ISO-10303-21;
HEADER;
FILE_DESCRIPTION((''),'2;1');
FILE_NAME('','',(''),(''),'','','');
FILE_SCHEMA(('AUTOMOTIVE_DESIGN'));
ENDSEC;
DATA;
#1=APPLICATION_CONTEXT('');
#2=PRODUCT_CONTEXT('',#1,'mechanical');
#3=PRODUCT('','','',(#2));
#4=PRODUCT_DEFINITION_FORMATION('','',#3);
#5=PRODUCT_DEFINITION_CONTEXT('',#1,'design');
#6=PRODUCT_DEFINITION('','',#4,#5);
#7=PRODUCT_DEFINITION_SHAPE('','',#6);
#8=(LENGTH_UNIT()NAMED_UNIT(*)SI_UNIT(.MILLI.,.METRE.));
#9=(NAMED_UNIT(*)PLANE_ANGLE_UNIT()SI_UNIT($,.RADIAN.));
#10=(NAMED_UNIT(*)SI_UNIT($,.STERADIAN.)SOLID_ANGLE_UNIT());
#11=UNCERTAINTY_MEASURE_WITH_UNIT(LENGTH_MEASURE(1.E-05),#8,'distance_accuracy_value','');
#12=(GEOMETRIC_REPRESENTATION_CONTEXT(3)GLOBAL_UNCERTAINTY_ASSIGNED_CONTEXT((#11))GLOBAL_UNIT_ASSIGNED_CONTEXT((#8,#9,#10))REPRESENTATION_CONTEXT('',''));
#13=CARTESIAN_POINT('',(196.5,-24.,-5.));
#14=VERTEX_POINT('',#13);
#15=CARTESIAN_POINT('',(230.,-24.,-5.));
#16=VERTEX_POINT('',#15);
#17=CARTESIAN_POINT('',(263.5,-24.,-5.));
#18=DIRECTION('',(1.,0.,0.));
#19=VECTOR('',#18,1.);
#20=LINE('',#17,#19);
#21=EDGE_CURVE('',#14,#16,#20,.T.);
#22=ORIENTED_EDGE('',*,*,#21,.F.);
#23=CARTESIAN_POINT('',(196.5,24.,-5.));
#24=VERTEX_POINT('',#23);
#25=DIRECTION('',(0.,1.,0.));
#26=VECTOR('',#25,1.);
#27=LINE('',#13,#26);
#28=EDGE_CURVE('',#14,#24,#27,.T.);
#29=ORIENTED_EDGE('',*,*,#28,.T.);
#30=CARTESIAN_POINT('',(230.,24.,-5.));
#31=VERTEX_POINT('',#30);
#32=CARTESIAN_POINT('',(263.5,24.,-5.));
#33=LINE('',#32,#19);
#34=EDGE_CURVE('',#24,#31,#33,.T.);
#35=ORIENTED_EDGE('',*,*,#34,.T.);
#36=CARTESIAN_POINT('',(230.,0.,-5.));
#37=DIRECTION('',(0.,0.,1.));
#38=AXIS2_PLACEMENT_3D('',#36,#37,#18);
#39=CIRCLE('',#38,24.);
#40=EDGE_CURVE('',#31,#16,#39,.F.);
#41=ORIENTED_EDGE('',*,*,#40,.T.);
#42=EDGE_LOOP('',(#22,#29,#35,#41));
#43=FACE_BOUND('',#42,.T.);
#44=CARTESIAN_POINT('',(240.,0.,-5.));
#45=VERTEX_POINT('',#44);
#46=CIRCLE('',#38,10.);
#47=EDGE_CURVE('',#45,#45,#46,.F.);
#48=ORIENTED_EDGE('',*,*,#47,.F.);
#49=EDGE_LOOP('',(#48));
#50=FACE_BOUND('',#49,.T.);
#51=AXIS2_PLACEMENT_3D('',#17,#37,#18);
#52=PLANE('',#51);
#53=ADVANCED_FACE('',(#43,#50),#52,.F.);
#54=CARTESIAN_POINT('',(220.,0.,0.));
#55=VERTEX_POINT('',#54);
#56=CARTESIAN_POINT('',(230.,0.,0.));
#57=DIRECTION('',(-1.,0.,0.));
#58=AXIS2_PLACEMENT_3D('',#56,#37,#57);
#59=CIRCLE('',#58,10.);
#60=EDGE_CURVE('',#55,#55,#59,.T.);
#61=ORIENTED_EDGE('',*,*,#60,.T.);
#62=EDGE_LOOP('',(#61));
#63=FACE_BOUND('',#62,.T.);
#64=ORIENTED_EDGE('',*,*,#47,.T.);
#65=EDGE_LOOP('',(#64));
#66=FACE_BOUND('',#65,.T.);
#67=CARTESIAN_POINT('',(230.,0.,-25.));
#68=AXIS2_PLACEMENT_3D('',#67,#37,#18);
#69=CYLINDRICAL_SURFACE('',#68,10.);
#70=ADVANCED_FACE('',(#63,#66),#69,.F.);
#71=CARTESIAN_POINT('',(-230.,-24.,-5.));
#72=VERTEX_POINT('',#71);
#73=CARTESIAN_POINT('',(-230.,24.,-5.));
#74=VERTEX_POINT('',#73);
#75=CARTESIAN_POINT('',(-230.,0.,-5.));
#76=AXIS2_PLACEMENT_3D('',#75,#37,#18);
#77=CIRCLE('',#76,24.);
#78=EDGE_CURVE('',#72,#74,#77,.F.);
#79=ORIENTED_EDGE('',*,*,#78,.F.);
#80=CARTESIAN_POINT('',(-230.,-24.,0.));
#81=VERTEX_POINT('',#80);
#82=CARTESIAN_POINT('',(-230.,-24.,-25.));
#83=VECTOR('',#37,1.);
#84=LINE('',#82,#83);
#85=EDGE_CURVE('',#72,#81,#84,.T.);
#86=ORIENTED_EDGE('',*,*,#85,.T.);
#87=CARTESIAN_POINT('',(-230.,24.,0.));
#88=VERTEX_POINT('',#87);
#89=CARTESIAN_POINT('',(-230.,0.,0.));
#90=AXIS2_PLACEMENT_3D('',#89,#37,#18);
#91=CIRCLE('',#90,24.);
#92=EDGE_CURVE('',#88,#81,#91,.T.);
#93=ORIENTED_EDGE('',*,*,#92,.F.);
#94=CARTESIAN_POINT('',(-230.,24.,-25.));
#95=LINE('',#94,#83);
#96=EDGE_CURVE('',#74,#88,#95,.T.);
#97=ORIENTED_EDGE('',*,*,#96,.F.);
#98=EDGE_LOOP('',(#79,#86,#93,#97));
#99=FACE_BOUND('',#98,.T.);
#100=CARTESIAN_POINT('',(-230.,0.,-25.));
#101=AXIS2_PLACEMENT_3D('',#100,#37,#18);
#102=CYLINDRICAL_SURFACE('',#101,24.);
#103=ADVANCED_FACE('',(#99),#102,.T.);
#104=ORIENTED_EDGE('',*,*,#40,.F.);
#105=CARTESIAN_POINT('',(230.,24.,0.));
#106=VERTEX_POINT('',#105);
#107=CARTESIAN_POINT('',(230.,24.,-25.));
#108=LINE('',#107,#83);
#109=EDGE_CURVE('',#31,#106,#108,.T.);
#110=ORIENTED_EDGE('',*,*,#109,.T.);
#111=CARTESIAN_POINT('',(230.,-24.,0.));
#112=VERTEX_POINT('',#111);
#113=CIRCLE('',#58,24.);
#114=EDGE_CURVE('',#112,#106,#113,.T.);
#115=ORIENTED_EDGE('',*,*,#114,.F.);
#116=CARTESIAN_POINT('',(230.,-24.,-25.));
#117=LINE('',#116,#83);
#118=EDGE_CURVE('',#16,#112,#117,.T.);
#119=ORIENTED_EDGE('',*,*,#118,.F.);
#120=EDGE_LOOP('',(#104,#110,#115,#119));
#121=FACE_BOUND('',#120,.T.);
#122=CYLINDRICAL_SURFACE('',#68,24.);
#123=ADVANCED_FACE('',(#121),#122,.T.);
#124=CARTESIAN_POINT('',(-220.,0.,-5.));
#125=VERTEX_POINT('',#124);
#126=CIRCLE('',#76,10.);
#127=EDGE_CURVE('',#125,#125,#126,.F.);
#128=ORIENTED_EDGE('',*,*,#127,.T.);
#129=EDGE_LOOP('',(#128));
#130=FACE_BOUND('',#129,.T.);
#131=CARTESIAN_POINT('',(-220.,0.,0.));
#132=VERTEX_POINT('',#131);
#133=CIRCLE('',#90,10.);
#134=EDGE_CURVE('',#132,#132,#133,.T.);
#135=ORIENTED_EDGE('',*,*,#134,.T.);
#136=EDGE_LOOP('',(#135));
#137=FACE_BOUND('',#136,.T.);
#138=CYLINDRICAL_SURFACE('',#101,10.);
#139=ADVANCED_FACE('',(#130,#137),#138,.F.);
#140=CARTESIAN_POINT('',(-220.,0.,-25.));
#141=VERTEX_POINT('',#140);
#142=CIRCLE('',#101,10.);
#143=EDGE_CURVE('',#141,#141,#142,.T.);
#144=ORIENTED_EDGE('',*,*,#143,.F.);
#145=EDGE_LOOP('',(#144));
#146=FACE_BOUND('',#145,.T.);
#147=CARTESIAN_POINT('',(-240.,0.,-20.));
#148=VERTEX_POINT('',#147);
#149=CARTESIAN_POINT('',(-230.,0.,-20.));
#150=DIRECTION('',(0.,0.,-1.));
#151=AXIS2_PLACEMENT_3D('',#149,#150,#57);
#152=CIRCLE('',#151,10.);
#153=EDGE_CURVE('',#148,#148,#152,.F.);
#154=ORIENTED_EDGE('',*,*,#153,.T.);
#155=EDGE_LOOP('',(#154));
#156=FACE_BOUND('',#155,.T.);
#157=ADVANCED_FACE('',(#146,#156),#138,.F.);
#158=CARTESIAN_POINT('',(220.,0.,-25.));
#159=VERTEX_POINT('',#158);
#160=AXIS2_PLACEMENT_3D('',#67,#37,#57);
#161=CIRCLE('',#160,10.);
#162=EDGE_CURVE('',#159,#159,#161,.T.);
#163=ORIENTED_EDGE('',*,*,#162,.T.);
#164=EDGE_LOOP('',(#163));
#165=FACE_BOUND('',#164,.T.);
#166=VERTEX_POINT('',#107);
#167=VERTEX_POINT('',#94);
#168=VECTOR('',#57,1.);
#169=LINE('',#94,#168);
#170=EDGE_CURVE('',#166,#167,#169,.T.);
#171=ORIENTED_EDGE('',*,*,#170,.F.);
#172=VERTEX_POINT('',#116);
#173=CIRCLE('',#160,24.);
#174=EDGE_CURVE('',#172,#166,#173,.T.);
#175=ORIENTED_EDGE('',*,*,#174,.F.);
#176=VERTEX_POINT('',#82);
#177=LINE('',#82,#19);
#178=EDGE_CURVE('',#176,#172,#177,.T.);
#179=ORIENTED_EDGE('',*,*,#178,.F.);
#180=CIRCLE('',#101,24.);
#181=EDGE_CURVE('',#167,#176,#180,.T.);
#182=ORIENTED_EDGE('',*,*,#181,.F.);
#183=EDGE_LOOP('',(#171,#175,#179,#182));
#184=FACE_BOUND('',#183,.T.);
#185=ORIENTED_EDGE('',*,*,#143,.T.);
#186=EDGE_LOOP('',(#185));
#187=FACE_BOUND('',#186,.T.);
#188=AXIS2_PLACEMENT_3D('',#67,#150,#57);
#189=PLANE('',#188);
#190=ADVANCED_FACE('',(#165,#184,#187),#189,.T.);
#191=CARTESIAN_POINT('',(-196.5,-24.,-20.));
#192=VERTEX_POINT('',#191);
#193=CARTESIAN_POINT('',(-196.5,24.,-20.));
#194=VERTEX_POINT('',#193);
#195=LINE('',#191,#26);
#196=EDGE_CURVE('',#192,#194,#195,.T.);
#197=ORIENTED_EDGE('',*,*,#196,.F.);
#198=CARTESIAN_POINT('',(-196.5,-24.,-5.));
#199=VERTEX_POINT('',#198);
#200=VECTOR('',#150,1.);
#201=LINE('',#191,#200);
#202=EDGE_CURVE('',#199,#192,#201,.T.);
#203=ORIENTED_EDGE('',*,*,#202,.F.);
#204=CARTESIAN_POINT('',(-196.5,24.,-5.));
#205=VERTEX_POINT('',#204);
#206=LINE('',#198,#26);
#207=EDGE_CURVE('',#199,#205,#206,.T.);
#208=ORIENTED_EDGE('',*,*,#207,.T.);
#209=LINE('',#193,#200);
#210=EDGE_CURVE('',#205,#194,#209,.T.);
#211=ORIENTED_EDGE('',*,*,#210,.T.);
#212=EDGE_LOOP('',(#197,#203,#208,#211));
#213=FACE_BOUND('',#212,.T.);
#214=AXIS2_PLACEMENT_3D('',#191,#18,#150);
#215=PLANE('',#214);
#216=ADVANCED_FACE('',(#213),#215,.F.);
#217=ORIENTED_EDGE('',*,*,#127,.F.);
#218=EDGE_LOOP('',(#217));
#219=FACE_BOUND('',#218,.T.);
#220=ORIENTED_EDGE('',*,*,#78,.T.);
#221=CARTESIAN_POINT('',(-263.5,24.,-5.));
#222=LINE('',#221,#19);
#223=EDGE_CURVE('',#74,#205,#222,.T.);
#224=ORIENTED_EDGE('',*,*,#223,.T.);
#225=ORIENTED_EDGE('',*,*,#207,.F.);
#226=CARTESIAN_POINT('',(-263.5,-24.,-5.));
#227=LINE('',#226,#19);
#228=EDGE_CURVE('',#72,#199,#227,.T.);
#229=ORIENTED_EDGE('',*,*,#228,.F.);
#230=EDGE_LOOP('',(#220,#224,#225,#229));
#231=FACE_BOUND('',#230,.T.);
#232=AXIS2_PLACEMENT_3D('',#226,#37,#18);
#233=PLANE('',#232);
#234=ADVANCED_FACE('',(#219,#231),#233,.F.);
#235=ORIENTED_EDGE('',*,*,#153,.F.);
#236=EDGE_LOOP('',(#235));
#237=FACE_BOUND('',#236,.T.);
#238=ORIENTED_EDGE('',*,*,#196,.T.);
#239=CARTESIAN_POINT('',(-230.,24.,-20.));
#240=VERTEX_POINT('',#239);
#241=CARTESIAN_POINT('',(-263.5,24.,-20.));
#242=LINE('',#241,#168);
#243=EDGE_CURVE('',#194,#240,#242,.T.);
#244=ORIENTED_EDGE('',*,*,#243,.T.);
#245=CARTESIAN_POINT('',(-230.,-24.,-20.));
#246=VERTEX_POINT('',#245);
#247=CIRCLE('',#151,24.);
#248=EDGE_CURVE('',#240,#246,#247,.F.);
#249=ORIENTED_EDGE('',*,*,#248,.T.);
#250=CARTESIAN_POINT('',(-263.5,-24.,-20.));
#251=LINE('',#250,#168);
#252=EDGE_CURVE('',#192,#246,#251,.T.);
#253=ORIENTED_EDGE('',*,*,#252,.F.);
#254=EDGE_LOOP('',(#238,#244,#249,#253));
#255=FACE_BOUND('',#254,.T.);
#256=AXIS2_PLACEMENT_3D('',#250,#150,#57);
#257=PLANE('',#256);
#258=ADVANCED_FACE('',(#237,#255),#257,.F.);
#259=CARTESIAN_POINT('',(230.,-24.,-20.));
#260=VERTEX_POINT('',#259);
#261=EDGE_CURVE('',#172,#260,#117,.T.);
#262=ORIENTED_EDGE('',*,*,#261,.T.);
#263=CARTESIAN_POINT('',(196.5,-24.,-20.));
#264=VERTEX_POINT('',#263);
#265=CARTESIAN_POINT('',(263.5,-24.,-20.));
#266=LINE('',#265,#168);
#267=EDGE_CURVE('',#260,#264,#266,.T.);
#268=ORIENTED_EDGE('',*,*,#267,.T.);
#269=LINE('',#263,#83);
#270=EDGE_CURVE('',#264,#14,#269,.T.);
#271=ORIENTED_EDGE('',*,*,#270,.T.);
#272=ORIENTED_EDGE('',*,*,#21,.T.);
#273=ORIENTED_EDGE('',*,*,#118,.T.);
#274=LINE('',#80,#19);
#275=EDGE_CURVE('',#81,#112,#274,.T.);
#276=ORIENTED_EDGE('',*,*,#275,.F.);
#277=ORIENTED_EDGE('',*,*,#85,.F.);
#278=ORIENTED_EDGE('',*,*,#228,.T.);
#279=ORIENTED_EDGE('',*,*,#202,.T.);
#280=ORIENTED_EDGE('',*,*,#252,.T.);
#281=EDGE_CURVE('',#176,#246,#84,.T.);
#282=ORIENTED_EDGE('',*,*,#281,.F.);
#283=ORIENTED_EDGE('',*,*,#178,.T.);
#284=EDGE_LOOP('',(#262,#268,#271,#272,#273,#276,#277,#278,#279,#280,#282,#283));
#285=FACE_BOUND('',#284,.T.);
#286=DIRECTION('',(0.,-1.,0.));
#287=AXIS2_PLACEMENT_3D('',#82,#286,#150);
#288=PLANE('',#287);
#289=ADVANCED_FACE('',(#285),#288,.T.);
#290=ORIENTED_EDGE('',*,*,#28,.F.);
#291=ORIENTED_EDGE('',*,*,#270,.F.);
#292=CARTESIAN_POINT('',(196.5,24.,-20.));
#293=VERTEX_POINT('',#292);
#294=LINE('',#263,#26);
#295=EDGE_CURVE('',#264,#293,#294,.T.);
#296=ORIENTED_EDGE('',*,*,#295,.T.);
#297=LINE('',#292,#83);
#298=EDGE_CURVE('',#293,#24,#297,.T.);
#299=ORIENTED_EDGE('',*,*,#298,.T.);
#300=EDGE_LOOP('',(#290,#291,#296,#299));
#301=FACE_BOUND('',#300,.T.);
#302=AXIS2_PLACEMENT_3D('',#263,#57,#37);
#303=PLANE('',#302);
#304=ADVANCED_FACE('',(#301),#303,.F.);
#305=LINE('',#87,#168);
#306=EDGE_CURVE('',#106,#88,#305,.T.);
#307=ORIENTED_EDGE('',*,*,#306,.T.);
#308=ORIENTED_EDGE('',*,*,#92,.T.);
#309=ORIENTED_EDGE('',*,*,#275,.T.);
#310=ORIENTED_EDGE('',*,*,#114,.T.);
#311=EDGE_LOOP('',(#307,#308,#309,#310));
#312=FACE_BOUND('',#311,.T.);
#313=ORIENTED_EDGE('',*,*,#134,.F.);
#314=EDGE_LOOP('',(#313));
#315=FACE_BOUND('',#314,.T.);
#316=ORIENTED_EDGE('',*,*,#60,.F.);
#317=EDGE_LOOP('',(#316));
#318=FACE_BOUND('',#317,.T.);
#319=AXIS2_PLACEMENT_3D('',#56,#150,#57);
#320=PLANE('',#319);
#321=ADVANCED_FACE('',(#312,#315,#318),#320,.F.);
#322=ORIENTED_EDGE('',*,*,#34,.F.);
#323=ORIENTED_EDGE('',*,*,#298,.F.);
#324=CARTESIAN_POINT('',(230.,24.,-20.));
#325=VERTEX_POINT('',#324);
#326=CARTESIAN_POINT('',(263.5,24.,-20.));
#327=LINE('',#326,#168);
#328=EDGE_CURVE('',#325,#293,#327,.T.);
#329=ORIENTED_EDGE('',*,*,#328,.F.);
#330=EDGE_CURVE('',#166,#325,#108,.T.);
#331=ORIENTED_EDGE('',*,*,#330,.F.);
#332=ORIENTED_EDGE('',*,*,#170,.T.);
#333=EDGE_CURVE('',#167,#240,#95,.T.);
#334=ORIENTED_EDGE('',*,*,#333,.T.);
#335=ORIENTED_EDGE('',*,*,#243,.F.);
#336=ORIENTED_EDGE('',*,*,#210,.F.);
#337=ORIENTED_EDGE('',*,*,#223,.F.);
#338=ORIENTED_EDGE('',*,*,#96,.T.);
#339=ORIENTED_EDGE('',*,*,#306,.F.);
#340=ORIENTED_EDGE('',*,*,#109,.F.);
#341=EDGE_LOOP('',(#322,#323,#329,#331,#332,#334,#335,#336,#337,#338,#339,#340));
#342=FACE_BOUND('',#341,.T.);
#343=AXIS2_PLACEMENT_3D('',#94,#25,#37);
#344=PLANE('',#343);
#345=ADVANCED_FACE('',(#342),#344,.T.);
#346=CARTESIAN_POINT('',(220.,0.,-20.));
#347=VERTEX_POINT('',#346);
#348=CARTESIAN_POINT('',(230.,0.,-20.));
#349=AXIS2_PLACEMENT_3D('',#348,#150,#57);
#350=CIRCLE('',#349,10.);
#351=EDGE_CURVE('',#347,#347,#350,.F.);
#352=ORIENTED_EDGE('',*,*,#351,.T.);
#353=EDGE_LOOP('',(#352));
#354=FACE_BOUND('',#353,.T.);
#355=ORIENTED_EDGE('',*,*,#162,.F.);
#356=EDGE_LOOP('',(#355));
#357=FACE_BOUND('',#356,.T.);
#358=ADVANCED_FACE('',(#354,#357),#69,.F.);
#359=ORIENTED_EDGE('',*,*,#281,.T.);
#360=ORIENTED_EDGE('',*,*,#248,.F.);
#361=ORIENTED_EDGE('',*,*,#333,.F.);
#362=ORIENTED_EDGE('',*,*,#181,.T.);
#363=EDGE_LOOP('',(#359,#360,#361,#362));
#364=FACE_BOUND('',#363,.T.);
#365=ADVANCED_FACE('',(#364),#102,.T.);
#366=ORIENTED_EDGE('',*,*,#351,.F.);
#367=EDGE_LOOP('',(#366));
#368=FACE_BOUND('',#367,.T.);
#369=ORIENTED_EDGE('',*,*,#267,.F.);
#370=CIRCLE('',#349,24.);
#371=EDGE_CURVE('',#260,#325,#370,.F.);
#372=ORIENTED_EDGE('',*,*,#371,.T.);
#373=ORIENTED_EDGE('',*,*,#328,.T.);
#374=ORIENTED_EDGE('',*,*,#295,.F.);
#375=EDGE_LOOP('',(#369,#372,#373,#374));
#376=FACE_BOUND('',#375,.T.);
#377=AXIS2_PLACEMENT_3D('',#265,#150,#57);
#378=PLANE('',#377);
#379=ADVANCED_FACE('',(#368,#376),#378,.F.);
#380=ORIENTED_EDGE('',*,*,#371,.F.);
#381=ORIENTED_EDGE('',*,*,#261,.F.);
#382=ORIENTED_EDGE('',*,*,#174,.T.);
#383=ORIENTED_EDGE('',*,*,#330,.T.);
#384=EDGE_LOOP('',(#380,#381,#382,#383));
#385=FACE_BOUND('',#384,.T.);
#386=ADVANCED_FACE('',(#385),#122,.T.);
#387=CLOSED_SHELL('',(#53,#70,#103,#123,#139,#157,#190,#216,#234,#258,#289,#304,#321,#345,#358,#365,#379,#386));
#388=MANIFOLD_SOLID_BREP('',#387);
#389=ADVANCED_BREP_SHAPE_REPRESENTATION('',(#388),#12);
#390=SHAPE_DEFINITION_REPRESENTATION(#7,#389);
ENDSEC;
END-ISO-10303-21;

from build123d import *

# Parameters (mm, degrees)
SKETCH1_R               = 10
BOSS_EXTRUDE1_DEPTH     = 25
CUT_EXTRUDE2_DEPTH      = 257.353271873
CUT_EXTRUDE2_DEPTH_BACK = 257.353271873
SKETCH3_W               = 67
SKETCH3_H               = 15


with BuildPart() as part:
    # Sketch1 → Boss-Extrude1 (new body)
    with BuildSketch(Plane.XY):
        with BuildLine():
            Line((-230, 24), (230, 24))
            ThreePointArc((230, 24), (254, 0), (230, -24))
            Line((230, -24), (-230, -24))
            ThreePointArc((-230, -24), (-254, 0), (-230, 24))
        make_face()
        with Locations((-230, 0)):
            Circle(SKETCH1_R, mode=Mode.SUBTRACT)
        with Locations(Location((230, 0, 0), (0, 0, 180))):
            Circle(SKETCH1_R, mode=Mode.SUBTRACT)
    extrude(amount=-BOSS_EXTRUDE1_DEPTH)

    # Sketch3 → Cut-Extrude2 (cut, two sides: drawn at the far end of the back side and taken through both)
    with BuildSketch(Plane(origin=(0, 0, 0), x_dir=(1, 0, 0), z_dir=(0, 1, 0)).offset(-CUT_EXTRUDE2_DEPTH_BACK)):
        with Locations((-230, 12.5)):
            Rectangle(SKETCH3_W, SKETCH3_H)
        with Locations((230, 12.5)):
            Rectangle(SKETCH3_W, SKETCH3_H)
    extrude(amount=CUT_EXTRUDE2_DEPTH + CUT_EXTRUDE2_DEPTH_BACK, mode=Mode.SUBTRACT)


solid = part.part
